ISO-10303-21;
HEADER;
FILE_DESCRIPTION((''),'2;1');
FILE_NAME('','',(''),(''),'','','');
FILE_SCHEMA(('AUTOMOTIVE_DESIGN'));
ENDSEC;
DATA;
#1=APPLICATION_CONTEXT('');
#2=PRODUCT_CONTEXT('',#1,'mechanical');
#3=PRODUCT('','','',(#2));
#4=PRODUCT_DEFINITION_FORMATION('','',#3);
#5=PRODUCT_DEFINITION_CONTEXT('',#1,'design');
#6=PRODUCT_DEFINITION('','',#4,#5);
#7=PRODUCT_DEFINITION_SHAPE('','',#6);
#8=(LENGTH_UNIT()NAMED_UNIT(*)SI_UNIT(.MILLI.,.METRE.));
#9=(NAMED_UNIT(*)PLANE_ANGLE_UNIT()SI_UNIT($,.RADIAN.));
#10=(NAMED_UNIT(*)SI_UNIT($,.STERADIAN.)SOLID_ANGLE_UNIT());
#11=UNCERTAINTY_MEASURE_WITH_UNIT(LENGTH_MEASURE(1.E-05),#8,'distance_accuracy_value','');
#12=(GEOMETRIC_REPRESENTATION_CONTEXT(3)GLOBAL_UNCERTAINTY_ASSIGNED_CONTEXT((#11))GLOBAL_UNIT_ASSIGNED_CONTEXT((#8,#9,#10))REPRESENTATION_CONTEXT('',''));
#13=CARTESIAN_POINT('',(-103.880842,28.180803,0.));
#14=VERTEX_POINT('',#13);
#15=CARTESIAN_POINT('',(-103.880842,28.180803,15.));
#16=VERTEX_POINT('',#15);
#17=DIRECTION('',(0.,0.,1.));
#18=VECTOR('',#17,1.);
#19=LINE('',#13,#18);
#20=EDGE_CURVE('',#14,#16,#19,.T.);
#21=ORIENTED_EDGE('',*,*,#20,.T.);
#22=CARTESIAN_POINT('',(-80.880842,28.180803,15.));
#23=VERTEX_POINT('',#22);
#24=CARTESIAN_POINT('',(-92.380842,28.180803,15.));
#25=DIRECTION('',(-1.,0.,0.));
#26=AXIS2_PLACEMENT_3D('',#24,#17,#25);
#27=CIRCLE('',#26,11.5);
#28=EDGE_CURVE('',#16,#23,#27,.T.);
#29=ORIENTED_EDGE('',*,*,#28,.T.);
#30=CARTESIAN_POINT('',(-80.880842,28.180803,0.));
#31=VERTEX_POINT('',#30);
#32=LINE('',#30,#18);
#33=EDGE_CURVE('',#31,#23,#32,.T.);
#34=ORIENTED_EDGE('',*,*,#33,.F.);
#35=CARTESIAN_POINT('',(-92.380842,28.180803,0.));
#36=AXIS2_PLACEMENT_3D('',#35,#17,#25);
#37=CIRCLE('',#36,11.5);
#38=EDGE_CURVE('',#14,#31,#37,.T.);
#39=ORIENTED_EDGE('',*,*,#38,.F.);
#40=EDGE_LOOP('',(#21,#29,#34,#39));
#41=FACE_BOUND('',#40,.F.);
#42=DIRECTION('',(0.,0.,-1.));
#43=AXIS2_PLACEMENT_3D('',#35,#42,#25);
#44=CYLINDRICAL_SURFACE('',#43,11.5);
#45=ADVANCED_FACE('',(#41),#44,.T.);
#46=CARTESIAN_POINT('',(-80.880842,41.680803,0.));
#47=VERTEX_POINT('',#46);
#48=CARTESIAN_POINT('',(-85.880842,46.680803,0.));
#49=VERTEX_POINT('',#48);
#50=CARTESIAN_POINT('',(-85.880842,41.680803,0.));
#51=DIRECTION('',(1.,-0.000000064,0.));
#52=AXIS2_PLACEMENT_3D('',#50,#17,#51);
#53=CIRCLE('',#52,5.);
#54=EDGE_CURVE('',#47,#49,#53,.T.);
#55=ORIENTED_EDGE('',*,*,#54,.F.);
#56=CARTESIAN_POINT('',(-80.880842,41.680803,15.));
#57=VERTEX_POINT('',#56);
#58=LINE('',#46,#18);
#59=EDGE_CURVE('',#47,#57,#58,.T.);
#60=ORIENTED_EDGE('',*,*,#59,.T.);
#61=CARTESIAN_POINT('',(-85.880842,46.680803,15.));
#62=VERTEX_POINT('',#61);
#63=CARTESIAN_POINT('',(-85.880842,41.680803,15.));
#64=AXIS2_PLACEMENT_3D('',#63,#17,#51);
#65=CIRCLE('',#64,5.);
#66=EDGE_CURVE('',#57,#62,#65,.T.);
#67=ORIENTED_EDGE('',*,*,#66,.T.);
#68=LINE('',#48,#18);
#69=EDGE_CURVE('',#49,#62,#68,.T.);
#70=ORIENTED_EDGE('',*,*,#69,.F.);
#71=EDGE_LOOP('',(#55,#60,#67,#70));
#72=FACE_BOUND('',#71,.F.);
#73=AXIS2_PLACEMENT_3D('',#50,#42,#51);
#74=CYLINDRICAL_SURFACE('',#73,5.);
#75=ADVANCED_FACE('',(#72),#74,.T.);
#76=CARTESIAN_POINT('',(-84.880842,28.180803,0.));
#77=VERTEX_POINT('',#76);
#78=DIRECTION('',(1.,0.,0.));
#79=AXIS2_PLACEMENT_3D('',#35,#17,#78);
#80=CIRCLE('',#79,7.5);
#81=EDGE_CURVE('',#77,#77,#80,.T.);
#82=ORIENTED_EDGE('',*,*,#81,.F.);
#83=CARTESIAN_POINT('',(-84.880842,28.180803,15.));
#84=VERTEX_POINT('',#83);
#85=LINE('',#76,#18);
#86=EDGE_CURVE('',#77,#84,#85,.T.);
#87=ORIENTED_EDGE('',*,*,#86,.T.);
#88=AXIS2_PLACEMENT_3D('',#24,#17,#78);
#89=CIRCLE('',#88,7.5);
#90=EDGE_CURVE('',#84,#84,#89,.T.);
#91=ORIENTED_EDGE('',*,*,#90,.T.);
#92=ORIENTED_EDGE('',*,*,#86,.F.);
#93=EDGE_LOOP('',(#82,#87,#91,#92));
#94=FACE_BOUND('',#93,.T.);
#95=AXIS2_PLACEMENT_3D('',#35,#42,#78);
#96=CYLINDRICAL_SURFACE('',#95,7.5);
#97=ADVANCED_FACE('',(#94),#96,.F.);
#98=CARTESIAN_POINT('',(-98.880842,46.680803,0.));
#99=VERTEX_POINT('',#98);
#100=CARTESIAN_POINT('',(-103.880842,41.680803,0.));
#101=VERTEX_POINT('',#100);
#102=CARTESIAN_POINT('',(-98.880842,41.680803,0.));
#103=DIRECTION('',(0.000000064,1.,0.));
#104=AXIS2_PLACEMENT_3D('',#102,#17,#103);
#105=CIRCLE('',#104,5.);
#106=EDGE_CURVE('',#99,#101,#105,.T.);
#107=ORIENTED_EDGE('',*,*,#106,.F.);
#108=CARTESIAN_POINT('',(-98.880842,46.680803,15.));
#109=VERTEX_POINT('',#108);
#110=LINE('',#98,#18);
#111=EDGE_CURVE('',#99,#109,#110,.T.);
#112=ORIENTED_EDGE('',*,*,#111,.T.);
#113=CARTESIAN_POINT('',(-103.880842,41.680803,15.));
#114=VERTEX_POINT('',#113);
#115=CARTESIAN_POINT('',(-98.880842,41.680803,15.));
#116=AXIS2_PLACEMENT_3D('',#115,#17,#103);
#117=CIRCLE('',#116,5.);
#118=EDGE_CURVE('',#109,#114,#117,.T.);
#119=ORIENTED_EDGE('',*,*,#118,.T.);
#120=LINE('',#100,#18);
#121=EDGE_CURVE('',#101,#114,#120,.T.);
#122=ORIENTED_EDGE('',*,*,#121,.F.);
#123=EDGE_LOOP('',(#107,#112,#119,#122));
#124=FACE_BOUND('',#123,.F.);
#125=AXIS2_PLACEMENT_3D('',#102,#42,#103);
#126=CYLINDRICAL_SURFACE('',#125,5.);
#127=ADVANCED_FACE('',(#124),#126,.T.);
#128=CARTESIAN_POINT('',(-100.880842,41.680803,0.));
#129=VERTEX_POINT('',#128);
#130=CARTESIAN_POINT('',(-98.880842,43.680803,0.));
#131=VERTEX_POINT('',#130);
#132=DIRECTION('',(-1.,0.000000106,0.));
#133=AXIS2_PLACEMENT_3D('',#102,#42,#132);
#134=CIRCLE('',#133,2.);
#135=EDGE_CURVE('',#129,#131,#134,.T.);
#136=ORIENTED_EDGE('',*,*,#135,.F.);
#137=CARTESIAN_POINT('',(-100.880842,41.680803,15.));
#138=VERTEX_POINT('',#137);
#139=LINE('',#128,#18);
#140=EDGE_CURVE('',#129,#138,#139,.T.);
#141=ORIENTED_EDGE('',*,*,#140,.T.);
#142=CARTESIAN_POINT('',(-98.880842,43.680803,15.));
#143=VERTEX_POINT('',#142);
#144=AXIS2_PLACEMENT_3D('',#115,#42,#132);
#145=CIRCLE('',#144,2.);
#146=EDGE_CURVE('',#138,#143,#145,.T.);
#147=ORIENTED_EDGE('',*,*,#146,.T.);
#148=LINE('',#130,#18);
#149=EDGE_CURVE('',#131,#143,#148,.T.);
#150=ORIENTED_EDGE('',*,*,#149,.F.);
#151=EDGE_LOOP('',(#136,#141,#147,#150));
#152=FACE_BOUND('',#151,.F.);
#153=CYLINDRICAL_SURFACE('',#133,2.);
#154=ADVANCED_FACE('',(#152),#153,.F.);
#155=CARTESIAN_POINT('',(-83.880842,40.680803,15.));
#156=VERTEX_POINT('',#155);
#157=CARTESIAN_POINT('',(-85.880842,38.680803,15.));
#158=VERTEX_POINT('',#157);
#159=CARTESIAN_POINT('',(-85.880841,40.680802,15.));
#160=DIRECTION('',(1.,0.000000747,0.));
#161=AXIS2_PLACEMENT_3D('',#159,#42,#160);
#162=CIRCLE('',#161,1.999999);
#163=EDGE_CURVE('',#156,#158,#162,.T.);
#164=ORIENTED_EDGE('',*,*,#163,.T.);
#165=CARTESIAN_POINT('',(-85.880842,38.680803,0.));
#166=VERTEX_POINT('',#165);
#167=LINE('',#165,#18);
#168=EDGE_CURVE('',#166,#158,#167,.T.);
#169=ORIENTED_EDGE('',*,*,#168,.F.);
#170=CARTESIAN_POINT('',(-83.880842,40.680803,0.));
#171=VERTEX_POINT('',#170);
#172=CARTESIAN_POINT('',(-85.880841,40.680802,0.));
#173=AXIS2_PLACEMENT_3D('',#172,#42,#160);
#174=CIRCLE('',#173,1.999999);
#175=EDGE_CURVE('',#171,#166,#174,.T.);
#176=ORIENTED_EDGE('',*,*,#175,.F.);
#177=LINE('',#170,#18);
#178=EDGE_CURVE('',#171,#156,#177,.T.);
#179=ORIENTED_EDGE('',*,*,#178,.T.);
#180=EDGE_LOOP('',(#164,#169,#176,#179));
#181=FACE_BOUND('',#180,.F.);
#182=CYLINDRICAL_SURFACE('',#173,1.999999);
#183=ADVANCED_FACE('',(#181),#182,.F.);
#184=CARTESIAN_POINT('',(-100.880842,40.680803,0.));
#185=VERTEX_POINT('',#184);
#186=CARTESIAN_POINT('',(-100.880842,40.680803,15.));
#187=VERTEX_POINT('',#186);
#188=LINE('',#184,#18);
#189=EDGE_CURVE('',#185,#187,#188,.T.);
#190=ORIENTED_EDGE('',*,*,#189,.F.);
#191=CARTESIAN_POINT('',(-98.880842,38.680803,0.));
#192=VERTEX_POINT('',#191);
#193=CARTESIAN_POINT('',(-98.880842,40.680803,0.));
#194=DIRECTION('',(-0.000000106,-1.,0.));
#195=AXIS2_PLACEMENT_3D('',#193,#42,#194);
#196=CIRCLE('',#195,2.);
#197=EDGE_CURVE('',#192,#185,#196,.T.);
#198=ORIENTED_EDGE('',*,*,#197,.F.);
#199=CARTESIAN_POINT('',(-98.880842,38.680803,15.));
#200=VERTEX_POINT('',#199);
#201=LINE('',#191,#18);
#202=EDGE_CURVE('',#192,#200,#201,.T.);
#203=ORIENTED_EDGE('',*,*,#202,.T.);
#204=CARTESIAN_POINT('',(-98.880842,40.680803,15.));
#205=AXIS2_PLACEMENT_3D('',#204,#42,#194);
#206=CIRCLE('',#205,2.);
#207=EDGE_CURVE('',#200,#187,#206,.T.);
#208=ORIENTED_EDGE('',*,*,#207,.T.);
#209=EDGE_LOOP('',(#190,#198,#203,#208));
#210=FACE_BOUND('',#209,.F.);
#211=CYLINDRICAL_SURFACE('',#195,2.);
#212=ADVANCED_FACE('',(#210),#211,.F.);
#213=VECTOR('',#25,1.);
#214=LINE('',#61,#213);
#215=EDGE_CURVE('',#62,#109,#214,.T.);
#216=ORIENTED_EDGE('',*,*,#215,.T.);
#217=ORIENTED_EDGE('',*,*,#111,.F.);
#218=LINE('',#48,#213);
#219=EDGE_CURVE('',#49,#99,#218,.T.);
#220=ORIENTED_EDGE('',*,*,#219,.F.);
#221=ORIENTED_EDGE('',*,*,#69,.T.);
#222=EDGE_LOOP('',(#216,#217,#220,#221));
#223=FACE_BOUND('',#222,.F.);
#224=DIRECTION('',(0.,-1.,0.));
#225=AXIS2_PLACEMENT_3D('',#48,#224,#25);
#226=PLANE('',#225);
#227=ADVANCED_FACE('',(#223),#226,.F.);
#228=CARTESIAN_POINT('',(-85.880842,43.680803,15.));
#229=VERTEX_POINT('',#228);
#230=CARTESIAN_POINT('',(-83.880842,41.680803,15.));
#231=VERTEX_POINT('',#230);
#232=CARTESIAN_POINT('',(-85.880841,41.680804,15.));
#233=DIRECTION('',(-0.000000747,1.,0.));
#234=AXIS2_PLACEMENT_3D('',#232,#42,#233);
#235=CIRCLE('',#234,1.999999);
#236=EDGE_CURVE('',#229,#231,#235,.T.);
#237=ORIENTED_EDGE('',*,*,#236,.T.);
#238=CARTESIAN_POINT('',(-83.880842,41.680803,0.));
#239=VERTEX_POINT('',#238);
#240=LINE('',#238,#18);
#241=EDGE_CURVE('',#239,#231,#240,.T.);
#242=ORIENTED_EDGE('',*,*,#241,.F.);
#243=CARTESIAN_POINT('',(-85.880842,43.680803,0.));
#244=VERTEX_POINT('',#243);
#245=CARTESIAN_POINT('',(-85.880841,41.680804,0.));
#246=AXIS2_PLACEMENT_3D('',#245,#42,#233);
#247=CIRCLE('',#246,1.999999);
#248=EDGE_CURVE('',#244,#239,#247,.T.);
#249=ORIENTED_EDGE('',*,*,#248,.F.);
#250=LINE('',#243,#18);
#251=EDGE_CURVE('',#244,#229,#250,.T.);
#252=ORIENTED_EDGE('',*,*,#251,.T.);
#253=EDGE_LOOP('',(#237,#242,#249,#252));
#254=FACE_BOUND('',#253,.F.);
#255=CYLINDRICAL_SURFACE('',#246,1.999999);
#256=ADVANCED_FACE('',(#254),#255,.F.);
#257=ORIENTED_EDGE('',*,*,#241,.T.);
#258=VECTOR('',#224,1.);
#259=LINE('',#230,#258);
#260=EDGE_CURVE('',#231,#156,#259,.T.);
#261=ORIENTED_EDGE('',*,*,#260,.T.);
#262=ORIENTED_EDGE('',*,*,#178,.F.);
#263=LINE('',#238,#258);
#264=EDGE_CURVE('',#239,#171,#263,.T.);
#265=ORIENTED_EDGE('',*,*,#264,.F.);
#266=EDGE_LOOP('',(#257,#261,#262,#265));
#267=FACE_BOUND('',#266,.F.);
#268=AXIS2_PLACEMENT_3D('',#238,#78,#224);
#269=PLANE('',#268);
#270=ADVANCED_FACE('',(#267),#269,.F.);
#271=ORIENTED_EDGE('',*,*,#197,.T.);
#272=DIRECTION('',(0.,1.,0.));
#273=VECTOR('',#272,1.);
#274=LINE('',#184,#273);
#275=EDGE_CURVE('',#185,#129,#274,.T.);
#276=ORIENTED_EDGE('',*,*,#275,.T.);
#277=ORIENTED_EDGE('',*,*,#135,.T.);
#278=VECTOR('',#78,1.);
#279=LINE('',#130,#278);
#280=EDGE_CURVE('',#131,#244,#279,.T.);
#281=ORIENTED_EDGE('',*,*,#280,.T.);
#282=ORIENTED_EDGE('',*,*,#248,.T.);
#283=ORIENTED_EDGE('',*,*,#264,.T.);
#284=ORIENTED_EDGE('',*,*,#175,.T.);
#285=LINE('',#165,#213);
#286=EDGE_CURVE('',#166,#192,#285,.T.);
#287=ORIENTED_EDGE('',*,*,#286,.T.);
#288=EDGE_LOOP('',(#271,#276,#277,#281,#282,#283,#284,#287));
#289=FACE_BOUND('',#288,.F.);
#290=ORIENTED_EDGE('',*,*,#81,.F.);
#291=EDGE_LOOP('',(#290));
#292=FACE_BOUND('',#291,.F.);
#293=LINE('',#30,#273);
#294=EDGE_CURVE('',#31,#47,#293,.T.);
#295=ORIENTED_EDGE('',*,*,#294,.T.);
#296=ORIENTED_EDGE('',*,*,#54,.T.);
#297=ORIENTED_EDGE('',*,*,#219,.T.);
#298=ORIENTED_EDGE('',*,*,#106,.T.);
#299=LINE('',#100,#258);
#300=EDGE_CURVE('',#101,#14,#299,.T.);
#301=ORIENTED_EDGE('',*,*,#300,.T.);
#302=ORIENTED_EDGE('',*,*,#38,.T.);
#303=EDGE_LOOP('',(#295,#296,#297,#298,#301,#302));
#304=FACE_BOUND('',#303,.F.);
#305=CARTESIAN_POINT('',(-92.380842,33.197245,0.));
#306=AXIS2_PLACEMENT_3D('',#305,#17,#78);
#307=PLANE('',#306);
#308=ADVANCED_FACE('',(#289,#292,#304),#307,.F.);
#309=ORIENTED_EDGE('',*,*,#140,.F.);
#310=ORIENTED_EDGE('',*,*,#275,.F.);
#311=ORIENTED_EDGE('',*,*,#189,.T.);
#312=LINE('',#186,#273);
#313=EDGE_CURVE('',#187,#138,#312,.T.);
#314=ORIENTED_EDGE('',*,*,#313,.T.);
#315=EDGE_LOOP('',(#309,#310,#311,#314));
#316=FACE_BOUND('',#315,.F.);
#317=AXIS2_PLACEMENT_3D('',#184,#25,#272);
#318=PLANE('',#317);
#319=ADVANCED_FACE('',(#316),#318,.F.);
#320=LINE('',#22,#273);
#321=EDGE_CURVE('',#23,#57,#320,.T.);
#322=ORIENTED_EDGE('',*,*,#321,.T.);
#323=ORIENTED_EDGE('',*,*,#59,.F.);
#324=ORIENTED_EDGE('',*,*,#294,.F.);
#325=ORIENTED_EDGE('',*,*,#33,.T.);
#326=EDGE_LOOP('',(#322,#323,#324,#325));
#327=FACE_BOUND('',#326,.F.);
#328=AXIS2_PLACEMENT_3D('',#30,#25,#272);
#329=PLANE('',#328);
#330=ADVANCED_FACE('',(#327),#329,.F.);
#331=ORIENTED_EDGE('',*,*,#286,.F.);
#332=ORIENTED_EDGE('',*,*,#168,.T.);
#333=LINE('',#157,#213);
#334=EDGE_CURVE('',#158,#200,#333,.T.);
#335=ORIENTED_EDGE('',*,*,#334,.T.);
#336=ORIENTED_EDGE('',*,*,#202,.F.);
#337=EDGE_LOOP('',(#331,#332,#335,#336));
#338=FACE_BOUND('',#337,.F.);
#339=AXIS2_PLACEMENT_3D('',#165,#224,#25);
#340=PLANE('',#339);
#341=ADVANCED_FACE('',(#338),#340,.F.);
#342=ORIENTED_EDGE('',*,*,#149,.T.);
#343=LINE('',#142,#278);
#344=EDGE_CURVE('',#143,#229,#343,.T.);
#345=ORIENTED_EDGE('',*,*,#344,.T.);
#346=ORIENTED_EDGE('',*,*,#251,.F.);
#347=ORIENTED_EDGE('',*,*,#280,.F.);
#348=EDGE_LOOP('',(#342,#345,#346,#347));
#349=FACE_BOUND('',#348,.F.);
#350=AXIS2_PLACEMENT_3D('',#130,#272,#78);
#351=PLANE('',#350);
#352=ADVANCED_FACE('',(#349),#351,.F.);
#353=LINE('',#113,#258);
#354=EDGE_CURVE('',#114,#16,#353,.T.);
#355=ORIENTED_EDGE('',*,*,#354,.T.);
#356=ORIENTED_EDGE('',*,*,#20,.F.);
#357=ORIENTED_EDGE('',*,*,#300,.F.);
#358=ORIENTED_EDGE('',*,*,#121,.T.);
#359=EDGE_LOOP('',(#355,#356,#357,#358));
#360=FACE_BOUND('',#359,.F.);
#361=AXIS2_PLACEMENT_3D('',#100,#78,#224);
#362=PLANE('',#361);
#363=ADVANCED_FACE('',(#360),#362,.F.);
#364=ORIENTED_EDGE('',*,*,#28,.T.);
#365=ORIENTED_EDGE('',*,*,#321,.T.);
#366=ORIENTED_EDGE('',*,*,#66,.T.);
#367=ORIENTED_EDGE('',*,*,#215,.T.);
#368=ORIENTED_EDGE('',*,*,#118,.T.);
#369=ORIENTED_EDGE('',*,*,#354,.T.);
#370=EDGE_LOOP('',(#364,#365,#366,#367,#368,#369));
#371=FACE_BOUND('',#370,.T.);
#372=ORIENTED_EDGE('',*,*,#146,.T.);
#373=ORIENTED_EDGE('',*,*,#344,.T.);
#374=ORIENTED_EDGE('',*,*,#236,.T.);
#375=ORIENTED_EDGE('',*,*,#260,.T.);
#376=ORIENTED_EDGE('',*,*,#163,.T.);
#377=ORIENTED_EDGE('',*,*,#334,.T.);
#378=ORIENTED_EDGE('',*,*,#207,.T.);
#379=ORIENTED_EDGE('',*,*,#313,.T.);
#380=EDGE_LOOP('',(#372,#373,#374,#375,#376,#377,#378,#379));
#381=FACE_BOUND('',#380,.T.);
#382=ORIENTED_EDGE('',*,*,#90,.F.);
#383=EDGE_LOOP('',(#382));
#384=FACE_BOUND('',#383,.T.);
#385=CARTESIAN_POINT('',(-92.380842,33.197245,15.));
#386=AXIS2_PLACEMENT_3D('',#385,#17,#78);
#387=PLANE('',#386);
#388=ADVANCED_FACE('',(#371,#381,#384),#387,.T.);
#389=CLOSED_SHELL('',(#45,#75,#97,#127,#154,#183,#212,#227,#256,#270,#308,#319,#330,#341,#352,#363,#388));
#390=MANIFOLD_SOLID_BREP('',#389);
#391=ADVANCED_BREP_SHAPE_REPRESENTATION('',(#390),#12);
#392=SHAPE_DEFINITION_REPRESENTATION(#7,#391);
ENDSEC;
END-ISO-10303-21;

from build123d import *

# Parameters (mm, degrees)
F0_R     = 7.5
F1_DEPTH = 15


with BuildPart() as f1:
    # F0 (on Top) → F1 (new body)
    with BuildSketch(Plane.XY):
        with BuildLine():
            Line((-85.880842, 46.680803), (-98.880842, 46.680803))
            ThreePointArc((-98.880842, 46.680803), (-102.416376, 45.216337), (-103.880842, 41.680803))
            Line((-103.880842, 41.680803), (-103.880842, 40.680803))
            Line((-103.880842, 40.680803), (-103.880842, 28.180803))
            ThreePointArc((-103.880842, 28.180803), (-92.380842, 16.680803), (-80.880842, 28.180803))
            Line((-80.880842, 28.180803), (-80.880842, 40.680803))
            Line((-80.880842, 40.680803), (-80.880842, 41.680803))
            ThreePointArc((-80.880842, 41.680803), (-82.345308, 45.216337), (-85.880842, 46.680803))
        make_face()
        with Locations((-92.380842, 28.180803)):
            Circle(F0_R, mode=Mode.SUBTRACT)
        with BuildLine():
            ThreePointArc((-100.880842, 41.680803), (-100.295055, 43.095017), (-98.880842, 43.680803))
            Line((-98.880842, 43.680803), (-85.880842, 43.680803))
            ThreePointArc((-85.880842, 43.680803), (-84.466628, 43.095017), (-83.880842, 41.680803))
            Line((-83.880842, 41.680803), (-83.880842, 40.680803))
            ThreePointArc((-83.880842, 40.680803), (-84.466628, 39.266589), (-85.880842, 38.680803))
            Line((-85.880842, 38.680803), (-98.880842, 38.680803))
            ThreePointArc((-98.880842, 38.680803), (-100.295055, 39.266589), (-100.880842, 40.680803))
            Line((-100.880842, 40.680803), (-100.880842, 41.680803))
        make_face(mode=Mode.SUBTRACT)
    extrude(amount=F1_DEPTH)


solid = f1.part
